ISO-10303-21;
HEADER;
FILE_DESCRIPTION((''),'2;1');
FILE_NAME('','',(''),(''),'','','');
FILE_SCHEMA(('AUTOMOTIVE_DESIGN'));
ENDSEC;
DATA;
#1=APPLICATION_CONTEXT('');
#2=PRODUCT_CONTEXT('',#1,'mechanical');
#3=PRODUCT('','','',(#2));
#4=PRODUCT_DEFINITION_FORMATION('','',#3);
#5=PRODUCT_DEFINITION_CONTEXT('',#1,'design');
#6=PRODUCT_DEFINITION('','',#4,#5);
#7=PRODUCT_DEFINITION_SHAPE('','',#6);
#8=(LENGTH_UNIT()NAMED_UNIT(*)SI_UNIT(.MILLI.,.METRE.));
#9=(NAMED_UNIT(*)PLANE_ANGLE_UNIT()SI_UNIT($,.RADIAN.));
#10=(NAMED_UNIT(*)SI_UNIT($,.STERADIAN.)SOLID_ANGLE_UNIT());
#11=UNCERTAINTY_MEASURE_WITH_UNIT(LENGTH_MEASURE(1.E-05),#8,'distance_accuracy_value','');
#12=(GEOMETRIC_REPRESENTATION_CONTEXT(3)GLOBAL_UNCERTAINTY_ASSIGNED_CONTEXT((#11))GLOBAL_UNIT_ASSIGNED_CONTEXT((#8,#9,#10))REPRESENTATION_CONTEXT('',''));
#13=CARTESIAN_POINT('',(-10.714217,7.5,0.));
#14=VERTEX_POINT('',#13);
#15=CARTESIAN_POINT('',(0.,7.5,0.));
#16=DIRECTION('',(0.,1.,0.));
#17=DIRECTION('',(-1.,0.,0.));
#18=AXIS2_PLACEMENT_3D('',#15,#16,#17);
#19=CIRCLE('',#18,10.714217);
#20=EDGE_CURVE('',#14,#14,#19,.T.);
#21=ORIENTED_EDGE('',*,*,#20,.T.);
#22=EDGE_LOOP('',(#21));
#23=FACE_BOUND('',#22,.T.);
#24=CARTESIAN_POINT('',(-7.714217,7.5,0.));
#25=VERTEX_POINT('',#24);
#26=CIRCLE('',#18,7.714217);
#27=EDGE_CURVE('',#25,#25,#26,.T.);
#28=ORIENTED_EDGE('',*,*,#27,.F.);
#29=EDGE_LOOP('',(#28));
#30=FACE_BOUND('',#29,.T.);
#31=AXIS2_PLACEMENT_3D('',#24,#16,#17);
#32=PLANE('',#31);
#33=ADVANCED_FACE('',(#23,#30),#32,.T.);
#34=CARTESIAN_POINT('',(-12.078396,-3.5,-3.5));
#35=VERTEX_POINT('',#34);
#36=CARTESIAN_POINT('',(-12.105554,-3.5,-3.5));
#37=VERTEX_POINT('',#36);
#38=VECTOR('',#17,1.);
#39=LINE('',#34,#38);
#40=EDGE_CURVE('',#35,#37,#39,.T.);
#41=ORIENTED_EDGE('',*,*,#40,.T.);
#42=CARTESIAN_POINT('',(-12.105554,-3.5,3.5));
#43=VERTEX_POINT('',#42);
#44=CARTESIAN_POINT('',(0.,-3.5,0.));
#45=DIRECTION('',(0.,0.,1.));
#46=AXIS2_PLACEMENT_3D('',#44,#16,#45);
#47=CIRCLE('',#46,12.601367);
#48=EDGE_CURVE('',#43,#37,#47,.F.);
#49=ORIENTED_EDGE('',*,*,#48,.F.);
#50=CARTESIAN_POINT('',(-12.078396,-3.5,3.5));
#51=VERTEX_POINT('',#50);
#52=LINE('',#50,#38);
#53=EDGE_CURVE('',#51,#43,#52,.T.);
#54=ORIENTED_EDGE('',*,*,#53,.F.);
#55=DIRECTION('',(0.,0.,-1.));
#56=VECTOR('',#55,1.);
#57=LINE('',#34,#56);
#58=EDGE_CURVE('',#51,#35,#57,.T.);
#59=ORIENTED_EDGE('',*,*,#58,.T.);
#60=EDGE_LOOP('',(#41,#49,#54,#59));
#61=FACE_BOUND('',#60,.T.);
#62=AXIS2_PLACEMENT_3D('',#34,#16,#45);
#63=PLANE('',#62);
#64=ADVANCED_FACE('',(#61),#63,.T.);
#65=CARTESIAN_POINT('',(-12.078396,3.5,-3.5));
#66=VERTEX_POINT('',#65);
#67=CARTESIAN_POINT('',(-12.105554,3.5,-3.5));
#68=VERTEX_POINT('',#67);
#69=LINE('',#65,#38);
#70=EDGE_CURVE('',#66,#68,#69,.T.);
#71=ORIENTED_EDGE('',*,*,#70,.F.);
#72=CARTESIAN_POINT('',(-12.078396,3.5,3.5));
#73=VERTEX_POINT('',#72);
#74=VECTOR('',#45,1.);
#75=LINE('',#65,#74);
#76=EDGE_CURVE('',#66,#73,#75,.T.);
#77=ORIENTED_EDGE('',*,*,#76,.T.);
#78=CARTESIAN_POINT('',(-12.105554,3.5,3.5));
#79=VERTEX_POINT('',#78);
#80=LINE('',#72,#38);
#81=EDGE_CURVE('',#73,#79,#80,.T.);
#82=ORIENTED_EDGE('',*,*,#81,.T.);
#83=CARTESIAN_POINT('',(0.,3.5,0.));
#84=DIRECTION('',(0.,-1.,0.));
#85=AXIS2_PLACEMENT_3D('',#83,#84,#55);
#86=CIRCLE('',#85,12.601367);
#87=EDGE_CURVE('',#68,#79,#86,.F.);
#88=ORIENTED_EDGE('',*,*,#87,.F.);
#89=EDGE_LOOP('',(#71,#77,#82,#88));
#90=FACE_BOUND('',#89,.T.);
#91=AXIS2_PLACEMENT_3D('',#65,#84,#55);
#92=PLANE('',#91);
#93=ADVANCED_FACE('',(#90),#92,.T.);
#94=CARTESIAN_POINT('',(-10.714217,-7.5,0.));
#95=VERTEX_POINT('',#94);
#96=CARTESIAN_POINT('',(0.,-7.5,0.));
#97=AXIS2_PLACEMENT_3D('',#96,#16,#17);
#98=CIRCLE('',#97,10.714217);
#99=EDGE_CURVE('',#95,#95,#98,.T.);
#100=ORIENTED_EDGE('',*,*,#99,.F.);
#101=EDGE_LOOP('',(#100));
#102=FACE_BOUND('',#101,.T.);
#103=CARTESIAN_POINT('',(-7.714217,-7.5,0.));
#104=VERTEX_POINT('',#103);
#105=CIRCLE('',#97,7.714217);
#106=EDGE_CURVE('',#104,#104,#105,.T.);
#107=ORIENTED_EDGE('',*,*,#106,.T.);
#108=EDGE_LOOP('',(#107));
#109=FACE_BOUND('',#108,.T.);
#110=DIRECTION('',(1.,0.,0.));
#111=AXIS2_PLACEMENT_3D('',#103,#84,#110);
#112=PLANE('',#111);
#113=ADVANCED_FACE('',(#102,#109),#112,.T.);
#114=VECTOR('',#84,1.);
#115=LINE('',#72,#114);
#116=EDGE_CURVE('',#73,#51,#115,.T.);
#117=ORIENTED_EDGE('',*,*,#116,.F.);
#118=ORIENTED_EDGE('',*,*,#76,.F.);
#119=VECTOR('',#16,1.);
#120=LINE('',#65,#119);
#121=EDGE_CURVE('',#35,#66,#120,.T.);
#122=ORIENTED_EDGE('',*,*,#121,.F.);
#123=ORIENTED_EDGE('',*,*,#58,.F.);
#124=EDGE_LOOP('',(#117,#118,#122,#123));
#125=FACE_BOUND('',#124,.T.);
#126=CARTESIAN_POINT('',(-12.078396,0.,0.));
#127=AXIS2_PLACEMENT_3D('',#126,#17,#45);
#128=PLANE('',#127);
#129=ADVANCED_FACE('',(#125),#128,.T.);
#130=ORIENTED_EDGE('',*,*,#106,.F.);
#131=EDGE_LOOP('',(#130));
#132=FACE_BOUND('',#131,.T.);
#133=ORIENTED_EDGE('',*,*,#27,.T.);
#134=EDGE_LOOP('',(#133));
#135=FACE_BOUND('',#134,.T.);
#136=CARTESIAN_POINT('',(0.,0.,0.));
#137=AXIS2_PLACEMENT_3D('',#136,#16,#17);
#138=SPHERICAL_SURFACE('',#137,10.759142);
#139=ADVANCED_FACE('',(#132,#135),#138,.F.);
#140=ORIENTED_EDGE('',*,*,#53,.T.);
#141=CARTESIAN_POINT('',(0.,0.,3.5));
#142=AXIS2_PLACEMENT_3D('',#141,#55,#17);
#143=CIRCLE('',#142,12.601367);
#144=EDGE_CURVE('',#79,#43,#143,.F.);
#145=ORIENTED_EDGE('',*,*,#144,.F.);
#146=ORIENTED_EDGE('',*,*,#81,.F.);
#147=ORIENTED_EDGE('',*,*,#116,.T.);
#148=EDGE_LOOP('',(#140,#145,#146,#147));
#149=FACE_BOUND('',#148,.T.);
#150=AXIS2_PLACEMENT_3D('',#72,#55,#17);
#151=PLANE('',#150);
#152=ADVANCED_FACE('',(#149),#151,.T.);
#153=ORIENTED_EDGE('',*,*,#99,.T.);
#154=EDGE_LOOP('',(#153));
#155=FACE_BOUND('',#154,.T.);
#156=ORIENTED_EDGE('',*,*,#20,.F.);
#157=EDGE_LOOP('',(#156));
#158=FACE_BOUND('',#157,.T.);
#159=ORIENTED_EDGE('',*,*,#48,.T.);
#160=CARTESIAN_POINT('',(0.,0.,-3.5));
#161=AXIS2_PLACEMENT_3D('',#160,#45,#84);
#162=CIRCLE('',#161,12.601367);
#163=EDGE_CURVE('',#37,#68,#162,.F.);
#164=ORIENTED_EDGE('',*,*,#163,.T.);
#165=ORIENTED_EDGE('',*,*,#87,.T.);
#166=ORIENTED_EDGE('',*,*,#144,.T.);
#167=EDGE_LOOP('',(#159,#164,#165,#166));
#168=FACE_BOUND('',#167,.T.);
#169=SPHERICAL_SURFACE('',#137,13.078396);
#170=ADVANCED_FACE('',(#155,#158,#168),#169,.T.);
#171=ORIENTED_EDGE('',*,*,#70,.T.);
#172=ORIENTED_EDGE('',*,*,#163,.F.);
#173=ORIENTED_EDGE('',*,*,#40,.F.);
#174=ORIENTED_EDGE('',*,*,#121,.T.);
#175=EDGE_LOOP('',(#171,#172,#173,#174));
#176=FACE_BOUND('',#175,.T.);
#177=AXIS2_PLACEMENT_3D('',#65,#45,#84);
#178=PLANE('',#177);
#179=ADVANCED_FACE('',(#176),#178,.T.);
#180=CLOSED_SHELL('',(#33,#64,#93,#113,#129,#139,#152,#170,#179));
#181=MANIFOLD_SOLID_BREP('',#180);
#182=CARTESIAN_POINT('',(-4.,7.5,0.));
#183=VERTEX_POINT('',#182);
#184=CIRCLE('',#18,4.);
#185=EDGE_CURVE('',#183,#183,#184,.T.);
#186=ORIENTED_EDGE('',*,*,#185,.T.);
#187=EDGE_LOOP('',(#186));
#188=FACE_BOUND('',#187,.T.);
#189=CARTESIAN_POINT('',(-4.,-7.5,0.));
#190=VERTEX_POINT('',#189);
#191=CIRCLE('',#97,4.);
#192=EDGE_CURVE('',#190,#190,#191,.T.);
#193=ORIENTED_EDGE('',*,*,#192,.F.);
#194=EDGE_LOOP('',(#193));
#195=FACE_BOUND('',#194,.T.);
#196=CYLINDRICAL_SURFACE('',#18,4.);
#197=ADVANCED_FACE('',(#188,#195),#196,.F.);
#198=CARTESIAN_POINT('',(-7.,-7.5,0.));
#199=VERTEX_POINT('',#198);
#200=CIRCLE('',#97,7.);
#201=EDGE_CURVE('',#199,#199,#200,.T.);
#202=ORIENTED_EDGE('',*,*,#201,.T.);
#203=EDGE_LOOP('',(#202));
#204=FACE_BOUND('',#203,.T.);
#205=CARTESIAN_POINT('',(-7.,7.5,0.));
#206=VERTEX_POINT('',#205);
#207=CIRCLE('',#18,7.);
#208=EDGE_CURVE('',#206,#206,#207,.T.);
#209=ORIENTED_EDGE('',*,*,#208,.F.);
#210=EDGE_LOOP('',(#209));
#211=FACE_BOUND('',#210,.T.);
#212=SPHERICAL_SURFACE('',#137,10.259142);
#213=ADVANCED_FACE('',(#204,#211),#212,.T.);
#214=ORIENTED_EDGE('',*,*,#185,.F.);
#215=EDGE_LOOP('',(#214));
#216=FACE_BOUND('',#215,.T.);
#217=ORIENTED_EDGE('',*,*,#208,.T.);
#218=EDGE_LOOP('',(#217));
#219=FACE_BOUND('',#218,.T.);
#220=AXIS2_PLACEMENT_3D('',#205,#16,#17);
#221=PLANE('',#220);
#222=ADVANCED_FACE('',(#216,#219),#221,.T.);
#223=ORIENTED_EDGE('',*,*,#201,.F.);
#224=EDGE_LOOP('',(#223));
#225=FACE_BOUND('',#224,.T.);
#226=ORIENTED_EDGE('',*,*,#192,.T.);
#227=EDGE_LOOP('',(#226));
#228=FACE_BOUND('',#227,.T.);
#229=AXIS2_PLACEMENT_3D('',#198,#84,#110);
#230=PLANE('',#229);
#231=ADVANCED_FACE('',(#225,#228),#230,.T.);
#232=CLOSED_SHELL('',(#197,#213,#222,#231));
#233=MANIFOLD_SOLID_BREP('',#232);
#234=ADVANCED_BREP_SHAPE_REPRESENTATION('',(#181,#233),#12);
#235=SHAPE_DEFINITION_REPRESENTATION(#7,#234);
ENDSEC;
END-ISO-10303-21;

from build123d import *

# Parameters (mm, degrees)
CROQUIS3_W            = 7
CROQUIS3_H            = 7
CORTAR_EXTRUIR1_DEPTH = 1


with BuildPart() as part:
    # Croquis2 → Revolución1 (revolve)
    with BuildSketch(Plane.XY):
        with BuildLine():
            Line((-7.714216892, 7.5), (-10.714216892, 7.5))
            ThreePointArc((-10.714216892, 7.5), (-13.078396064, 0), (-10.714216892, -7.5))
            Line((-10.714216892, -7.5), (-7.714216892, -7.5))
            ThreePointArc((-7.714216892, -7.5), (-10.759142264, 0), (-7.714216892, 7.5))
        make_face()
        with BuildLine():
            Line((-4, 7.5), (-4, -7.5))
            Line((-4, -7.5), (-7, -7.5))
            ThreePointArc((-7, -7.5), (-10.259142264, 0), (-7, 7.5))
            Line((-7, 7.5), (-4, 7.5))
        make_face()
    revolve(axis=Axis((0, 7.5, 0), (0, -1, 0)))

    # Croquis3 → Cortar-Extruir1 (cut)
    with BuildSketch(Plane(origin=(-13.078396064, 0, 0), x_dir=(0, 0, -1), z_dir=(1, 0, 0))):
        Rectangle(CROQUIS3_W, CROQUIS3_H)
    extrude(amount=CORTAR_EXTRUIR1_DEPTH, mode=Mode.SUBTRACT)


solid = part.part
